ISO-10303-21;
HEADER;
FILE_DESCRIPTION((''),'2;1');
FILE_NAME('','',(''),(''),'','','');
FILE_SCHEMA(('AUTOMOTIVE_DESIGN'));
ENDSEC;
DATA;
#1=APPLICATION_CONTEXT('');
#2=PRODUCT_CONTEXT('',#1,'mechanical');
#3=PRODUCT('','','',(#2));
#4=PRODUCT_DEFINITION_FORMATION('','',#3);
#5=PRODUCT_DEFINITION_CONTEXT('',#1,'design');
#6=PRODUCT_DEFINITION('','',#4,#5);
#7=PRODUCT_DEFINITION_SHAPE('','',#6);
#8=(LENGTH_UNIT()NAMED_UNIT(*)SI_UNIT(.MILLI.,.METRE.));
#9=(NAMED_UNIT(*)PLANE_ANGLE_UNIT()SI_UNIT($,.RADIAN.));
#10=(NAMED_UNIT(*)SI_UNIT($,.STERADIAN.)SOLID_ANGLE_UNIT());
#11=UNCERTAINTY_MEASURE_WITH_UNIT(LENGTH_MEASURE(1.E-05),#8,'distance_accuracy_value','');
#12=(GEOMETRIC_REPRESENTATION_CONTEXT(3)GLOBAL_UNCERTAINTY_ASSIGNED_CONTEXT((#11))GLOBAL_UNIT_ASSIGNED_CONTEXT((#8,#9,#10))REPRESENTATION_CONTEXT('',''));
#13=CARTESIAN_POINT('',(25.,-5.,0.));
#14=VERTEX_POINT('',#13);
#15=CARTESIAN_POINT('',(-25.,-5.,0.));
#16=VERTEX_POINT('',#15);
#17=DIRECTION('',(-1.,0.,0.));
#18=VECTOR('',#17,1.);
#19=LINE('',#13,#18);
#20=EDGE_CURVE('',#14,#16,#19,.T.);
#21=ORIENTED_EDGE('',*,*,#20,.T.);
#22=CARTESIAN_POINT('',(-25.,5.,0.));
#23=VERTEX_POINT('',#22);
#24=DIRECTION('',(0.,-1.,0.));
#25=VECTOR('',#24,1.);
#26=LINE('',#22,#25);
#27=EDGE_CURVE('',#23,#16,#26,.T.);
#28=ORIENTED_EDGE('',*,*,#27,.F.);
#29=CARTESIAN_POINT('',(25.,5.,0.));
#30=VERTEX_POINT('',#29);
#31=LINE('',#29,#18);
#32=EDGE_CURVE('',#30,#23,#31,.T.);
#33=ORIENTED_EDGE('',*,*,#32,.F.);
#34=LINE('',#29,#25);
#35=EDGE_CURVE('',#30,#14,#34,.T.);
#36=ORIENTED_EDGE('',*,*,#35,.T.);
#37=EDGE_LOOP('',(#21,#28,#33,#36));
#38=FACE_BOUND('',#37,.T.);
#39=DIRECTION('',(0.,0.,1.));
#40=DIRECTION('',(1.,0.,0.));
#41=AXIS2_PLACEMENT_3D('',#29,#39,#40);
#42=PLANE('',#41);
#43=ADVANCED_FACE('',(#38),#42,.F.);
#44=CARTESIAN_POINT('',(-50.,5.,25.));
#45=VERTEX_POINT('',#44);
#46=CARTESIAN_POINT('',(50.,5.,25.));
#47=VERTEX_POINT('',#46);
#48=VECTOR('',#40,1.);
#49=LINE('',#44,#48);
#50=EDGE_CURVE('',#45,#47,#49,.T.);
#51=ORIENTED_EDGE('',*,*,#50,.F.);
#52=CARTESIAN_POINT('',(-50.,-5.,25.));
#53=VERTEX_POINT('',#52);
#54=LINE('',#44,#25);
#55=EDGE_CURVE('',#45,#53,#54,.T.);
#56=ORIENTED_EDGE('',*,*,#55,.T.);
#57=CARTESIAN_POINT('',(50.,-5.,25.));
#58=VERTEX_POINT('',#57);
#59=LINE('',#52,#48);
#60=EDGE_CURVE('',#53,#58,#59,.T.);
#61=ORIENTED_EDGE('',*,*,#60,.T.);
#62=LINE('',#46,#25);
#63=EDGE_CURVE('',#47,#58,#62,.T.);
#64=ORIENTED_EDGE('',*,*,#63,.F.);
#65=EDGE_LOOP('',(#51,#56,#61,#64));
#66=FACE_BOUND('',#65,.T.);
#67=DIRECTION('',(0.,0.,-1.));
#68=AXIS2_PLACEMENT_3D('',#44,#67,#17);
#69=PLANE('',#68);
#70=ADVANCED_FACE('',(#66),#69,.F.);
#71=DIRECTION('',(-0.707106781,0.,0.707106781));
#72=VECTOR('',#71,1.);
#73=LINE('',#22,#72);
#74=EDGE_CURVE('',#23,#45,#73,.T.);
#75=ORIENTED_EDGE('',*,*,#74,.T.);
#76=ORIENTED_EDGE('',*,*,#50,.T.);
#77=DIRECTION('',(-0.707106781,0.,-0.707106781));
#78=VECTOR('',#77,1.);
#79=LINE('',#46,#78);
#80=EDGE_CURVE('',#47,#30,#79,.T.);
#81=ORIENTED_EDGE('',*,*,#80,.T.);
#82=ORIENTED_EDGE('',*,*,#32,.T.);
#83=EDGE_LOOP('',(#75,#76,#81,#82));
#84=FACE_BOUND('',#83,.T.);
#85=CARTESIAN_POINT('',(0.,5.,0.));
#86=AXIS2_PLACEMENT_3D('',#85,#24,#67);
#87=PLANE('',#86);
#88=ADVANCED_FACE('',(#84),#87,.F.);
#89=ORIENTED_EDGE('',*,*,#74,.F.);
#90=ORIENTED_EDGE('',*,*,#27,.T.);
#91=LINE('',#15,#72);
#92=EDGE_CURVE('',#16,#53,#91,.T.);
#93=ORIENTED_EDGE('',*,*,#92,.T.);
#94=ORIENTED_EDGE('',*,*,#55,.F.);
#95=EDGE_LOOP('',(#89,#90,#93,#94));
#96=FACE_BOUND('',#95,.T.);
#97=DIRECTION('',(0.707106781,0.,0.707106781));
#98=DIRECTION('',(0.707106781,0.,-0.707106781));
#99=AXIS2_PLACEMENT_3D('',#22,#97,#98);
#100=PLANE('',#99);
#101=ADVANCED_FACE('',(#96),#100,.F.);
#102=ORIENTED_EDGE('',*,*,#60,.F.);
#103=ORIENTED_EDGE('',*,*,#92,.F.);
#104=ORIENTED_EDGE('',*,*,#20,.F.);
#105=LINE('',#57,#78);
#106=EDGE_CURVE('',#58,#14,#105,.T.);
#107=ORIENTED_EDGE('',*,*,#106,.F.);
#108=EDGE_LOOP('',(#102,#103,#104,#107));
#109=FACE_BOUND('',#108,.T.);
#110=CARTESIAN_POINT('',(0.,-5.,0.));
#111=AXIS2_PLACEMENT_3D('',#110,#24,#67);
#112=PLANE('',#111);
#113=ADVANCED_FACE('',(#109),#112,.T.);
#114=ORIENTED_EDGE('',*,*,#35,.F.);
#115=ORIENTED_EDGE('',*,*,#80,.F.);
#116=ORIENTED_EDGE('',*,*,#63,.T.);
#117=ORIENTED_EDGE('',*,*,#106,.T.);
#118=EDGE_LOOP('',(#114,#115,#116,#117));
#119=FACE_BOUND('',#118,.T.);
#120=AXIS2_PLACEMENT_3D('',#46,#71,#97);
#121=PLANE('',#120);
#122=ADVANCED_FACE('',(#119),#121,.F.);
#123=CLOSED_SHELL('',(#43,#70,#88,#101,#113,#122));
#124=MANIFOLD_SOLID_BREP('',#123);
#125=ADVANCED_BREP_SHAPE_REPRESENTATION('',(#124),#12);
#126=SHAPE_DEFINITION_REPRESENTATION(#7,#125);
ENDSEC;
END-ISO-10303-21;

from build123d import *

# Parameters (mm, degrees)
BOSS_EXTRUDE1_DEPTH = 5


with BuildPart() as part:
    # Sketch1 → Boss-Extrude1 (new body, symmetric)
    with BuildSketch(Plane(origin=(0, 0, 0), x_dir=(1, 0, 0), z_dir=(0, 1, 0))):
        Polygon((25, 0), (-25, 0), (-50, -25), (50, -25), align=None)
    extrude(amount=BOSS_EXTRUDE1_DEPTH, both=True)


solid = part.part
